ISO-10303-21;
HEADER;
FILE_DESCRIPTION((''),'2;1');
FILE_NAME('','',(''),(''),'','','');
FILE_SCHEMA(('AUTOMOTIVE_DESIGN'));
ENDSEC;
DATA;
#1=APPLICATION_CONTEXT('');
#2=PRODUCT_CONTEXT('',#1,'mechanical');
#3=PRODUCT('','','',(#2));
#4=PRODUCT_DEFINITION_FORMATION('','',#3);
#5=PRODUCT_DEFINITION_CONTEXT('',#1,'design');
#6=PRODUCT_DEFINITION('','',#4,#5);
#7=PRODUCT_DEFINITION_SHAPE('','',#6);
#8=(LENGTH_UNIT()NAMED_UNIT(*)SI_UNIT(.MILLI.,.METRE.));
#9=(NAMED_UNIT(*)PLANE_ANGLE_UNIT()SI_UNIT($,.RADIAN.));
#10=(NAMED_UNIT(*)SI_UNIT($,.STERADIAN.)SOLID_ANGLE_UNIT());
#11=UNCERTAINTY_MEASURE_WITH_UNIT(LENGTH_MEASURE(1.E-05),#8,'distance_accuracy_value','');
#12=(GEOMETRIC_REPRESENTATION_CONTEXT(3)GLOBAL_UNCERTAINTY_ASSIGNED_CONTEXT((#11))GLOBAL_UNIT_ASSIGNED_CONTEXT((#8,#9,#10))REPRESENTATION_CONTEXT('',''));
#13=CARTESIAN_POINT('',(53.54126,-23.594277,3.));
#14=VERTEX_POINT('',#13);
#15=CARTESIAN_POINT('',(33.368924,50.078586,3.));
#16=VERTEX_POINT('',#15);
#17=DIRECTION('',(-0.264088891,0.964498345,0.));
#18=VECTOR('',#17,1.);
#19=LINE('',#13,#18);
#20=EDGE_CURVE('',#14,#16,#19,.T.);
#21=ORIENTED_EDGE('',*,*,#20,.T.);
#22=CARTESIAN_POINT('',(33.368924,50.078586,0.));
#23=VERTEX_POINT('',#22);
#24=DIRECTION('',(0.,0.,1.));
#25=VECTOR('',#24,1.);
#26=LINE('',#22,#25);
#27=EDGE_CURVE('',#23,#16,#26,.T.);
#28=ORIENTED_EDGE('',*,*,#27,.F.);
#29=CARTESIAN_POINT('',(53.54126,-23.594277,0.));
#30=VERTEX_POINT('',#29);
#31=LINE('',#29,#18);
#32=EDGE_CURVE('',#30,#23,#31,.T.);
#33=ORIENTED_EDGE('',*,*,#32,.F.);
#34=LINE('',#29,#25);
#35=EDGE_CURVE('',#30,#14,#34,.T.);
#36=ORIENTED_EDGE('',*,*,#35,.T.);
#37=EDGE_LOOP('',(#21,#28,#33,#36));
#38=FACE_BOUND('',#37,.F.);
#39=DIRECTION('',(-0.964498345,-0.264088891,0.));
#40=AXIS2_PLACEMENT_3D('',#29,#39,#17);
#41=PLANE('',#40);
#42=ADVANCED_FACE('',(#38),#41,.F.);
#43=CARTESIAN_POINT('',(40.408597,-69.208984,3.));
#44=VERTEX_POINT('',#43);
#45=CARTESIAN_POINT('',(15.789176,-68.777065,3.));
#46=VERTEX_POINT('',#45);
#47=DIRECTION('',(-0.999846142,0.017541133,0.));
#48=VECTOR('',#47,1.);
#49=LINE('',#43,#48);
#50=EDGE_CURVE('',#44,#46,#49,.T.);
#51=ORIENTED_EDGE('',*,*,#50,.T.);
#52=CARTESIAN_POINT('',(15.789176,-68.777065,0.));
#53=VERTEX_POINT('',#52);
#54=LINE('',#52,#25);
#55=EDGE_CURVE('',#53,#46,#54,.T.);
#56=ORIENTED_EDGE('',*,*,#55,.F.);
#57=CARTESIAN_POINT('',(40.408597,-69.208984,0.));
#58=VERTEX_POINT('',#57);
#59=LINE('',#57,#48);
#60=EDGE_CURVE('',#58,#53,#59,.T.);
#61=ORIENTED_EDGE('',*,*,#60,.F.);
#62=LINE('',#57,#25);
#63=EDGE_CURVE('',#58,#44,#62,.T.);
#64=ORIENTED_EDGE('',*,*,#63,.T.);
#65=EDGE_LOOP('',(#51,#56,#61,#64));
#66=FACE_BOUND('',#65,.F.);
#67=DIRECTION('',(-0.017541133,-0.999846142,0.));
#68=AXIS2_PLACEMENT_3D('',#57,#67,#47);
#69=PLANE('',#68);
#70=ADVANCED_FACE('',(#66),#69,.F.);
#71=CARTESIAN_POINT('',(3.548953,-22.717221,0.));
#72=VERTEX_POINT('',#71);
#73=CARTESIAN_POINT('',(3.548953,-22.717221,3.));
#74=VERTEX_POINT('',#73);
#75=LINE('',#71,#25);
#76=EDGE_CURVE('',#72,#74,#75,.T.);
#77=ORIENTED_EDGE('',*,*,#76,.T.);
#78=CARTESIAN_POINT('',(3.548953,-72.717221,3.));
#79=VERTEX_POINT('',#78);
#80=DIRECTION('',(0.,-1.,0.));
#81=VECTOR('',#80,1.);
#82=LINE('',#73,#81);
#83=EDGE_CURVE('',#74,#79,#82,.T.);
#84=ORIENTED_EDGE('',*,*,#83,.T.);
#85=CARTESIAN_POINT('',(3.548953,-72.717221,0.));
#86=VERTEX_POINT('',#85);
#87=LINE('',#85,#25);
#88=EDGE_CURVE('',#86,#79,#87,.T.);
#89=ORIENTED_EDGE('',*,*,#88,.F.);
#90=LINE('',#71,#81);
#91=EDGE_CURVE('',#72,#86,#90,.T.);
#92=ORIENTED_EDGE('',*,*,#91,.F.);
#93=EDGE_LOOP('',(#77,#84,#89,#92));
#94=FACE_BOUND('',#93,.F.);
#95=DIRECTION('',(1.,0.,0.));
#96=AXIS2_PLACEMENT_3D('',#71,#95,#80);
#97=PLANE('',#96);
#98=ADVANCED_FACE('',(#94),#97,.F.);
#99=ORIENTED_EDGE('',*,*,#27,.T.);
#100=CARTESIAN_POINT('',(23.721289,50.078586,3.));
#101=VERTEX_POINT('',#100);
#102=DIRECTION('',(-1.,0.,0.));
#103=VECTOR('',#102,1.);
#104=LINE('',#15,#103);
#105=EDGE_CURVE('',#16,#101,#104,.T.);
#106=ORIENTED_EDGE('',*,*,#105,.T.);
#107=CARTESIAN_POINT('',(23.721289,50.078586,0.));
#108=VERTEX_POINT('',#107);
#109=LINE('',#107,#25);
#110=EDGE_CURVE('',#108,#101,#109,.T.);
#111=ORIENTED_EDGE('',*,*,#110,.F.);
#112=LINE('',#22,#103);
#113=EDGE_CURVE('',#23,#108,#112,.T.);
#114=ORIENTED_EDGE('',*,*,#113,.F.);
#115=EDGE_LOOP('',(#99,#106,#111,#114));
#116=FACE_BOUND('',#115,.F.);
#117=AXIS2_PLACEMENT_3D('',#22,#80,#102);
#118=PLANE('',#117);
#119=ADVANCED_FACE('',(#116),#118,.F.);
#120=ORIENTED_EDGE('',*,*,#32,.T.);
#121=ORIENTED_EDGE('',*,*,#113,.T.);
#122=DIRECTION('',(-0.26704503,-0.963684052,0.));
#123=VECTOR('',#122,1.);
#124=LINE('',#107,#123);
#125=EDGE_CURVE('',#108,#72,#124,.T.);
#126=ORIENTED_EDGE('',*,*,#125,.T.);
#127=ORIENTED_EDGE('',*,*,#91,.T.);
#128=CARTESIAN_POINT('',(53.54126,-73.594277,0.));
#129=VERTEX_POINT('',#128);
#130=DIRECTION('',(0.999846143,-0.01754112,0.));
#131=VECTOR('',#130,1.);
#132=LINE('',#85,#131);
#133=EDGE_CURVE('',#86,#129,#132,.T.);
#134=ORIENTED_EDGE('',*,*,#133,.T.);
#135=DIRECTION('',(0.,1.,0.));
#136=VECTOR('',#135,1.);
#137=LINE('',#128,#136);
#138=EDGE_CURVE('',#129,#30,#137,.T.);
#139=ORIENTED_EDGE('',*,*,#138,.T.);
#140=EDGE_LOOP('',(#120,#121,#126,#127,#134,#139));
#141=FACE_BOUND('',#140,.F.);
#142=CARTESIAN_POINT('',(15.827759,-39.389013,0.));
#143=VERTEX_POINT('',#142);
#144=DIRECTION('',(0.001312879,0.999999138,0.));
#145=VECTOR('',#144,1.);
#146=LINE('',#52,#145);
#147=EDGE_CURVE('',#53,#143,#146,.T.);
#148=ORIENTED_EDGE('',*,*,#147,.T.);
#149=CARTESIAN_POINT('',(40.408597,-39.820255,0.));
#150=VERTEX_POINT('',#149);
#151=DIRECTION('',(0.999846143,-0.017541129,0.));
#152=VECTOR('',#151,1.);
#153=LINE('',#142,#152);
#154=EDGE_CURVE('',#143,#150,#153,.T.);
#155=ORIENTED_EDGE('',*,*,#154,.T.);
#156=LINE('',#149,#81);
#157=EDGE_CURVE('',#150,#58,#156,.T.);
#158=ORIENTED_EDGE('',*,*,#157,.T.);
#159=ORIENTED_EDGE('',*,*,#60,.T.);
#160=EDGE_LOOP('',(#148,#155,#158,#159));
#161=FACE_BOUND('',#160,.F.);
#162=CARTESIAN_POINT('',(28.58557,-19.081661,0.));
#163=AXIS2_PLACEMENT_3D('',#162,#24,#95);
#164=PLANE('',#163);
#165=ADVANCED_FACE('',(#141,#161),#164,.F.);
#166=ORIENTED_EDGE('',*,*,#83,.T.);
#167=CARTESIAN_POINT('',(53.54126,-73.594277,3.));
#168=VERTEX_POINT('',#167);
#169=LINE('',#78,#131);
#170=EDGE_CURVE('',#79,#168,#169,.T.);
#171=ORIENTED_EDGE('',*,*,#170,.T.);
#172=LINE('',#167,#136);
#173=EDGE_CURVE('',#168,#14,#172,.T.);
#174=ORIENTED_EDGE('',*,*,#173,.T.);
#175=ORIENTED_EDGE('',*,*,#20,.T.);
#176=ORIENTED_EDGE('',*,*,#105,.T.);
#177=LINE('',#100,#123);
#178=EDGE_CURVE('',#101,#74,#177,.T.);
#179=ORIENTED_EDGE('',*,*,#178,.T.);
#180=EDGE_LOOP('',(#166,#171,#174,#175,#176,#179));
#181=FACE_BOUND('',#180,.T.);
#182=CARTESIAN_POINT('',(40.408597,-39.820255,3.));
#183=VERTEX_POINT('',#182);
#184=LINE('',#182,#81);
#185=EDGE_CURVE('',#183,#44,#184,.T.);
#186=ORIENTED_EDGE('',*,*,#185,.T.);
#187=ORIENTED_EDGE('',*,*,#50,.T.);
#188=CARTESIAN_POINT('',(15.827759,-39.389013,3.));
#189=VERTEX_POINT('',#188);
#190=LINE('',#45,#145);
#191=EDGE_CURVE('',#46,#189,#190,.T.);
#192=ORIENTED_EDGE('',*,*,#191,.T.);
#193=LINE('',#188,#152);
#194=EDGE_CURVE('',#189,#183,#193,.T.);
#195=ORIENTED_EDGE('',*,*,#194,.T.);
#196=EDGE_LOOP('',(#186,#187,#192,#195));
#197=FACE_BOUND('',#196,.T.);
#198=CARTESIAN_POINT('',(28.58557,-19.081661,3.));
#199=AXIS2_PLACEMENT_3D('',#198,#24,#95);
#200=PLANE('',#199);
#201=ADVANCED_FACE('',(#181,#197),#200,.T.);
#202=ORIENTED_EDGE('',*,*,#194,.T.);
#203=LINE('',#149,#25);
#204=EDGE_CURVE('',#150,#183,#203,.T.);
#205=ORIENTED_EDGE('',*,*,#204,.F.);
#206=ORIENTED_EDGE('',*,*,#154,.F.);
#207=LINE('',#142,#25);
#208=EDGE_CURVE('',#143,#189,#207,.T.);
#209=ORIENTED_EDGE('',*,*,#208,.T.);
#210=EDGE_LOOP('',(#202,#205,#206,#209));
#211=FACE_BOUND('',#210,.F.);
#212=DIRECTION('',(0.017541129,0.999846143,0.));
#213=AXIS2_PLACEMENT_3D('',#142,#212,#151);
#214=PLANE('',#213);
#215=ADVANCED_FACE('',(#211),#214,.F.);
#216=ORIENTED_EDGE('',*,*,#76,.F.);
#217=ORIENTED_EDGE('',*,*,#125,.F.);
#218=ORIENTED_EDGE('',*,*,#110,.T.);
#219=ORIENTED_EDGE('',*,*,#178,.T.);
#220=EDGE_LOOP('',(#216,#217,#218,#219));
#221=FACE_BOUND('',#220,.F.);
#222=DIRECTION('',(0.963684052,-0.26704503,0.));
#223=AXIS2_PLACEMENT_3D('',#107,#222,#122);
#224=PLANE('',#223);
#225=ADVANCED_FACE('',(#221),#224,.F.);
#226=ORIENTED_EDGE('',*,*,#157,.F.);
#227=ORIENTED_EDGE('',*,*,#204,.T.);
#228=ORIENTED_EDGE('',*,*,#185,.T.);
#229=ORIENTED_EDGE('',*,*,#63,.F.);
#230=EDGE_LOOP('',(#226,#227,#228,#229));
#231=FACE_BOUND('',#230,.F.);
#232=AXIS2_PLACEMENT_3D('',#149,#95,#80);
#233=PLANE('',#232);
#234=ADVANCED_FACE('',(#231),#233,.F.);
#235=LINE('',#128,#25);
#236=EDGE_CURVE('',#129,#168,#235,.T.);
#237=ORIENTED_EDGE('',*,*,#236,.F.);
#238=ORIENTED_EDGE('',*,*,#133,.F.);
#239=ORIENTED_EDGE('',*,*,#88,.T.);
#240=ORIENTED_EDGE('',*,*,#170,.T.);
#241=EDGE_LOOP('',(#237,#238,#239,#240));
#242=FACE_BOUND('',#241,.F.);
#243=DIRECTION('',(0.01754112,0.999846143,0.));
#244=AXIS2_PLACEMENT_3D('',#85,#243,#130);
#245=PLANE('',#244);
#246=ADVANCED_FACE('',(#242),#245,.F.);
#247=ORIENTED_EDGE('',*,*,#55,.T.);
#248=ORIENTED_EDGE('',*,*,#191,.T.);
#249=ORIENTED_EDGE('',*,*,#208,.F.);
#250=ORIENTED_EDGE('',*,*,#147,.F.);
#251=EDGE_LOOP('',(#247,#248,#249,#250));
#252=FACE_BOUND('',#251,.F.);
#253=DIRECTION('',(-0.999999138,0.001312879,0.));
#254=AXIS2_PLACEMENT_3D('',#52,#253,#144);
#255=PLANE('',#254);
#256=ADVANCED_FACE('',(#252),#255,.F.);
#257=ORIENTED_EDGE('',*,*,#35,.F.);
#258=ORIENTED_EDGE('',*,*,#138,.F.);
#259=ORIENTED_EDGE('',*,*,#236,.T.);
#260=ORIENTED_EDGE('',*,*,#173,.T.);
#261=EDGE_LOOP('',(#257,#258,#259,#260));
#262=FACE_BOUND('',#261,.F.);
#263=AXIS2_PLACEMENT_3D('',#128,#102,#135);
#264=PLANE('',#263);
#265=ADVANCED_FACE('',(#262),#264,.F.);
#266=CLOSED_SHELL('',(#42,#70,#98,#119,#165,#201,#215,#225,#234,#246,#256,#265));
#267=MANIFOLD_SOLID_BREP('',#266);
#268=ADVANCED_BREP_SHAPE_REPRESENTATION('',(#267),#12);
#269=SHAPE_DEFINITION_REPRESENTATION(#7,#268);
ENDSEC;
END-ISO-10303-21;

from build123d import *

# Parameters (mm, degrees)
F1_DEPTH = 3


with BuildPart() as f1:
    # F0 (on Top) → F1 (new body)
    with BuildSketch(Plane.XY):
        Polygon((3.548953, -22.717221), (3.548953, -72.717221), (53.54126, -73.594277), (53.54126, -23.594277), (33.368924, 50.078586), (23.721289, 50.078586), align=None)
        Polygon((15.789176, -68.777065), (15.827759, -39.389013), (40.408597, -39.820255), (40.408597, -69.208984), align=None, mode=Mode.SUBTRACT)
    extrude(amount=F1_DEPTH)


solid = f1.part
